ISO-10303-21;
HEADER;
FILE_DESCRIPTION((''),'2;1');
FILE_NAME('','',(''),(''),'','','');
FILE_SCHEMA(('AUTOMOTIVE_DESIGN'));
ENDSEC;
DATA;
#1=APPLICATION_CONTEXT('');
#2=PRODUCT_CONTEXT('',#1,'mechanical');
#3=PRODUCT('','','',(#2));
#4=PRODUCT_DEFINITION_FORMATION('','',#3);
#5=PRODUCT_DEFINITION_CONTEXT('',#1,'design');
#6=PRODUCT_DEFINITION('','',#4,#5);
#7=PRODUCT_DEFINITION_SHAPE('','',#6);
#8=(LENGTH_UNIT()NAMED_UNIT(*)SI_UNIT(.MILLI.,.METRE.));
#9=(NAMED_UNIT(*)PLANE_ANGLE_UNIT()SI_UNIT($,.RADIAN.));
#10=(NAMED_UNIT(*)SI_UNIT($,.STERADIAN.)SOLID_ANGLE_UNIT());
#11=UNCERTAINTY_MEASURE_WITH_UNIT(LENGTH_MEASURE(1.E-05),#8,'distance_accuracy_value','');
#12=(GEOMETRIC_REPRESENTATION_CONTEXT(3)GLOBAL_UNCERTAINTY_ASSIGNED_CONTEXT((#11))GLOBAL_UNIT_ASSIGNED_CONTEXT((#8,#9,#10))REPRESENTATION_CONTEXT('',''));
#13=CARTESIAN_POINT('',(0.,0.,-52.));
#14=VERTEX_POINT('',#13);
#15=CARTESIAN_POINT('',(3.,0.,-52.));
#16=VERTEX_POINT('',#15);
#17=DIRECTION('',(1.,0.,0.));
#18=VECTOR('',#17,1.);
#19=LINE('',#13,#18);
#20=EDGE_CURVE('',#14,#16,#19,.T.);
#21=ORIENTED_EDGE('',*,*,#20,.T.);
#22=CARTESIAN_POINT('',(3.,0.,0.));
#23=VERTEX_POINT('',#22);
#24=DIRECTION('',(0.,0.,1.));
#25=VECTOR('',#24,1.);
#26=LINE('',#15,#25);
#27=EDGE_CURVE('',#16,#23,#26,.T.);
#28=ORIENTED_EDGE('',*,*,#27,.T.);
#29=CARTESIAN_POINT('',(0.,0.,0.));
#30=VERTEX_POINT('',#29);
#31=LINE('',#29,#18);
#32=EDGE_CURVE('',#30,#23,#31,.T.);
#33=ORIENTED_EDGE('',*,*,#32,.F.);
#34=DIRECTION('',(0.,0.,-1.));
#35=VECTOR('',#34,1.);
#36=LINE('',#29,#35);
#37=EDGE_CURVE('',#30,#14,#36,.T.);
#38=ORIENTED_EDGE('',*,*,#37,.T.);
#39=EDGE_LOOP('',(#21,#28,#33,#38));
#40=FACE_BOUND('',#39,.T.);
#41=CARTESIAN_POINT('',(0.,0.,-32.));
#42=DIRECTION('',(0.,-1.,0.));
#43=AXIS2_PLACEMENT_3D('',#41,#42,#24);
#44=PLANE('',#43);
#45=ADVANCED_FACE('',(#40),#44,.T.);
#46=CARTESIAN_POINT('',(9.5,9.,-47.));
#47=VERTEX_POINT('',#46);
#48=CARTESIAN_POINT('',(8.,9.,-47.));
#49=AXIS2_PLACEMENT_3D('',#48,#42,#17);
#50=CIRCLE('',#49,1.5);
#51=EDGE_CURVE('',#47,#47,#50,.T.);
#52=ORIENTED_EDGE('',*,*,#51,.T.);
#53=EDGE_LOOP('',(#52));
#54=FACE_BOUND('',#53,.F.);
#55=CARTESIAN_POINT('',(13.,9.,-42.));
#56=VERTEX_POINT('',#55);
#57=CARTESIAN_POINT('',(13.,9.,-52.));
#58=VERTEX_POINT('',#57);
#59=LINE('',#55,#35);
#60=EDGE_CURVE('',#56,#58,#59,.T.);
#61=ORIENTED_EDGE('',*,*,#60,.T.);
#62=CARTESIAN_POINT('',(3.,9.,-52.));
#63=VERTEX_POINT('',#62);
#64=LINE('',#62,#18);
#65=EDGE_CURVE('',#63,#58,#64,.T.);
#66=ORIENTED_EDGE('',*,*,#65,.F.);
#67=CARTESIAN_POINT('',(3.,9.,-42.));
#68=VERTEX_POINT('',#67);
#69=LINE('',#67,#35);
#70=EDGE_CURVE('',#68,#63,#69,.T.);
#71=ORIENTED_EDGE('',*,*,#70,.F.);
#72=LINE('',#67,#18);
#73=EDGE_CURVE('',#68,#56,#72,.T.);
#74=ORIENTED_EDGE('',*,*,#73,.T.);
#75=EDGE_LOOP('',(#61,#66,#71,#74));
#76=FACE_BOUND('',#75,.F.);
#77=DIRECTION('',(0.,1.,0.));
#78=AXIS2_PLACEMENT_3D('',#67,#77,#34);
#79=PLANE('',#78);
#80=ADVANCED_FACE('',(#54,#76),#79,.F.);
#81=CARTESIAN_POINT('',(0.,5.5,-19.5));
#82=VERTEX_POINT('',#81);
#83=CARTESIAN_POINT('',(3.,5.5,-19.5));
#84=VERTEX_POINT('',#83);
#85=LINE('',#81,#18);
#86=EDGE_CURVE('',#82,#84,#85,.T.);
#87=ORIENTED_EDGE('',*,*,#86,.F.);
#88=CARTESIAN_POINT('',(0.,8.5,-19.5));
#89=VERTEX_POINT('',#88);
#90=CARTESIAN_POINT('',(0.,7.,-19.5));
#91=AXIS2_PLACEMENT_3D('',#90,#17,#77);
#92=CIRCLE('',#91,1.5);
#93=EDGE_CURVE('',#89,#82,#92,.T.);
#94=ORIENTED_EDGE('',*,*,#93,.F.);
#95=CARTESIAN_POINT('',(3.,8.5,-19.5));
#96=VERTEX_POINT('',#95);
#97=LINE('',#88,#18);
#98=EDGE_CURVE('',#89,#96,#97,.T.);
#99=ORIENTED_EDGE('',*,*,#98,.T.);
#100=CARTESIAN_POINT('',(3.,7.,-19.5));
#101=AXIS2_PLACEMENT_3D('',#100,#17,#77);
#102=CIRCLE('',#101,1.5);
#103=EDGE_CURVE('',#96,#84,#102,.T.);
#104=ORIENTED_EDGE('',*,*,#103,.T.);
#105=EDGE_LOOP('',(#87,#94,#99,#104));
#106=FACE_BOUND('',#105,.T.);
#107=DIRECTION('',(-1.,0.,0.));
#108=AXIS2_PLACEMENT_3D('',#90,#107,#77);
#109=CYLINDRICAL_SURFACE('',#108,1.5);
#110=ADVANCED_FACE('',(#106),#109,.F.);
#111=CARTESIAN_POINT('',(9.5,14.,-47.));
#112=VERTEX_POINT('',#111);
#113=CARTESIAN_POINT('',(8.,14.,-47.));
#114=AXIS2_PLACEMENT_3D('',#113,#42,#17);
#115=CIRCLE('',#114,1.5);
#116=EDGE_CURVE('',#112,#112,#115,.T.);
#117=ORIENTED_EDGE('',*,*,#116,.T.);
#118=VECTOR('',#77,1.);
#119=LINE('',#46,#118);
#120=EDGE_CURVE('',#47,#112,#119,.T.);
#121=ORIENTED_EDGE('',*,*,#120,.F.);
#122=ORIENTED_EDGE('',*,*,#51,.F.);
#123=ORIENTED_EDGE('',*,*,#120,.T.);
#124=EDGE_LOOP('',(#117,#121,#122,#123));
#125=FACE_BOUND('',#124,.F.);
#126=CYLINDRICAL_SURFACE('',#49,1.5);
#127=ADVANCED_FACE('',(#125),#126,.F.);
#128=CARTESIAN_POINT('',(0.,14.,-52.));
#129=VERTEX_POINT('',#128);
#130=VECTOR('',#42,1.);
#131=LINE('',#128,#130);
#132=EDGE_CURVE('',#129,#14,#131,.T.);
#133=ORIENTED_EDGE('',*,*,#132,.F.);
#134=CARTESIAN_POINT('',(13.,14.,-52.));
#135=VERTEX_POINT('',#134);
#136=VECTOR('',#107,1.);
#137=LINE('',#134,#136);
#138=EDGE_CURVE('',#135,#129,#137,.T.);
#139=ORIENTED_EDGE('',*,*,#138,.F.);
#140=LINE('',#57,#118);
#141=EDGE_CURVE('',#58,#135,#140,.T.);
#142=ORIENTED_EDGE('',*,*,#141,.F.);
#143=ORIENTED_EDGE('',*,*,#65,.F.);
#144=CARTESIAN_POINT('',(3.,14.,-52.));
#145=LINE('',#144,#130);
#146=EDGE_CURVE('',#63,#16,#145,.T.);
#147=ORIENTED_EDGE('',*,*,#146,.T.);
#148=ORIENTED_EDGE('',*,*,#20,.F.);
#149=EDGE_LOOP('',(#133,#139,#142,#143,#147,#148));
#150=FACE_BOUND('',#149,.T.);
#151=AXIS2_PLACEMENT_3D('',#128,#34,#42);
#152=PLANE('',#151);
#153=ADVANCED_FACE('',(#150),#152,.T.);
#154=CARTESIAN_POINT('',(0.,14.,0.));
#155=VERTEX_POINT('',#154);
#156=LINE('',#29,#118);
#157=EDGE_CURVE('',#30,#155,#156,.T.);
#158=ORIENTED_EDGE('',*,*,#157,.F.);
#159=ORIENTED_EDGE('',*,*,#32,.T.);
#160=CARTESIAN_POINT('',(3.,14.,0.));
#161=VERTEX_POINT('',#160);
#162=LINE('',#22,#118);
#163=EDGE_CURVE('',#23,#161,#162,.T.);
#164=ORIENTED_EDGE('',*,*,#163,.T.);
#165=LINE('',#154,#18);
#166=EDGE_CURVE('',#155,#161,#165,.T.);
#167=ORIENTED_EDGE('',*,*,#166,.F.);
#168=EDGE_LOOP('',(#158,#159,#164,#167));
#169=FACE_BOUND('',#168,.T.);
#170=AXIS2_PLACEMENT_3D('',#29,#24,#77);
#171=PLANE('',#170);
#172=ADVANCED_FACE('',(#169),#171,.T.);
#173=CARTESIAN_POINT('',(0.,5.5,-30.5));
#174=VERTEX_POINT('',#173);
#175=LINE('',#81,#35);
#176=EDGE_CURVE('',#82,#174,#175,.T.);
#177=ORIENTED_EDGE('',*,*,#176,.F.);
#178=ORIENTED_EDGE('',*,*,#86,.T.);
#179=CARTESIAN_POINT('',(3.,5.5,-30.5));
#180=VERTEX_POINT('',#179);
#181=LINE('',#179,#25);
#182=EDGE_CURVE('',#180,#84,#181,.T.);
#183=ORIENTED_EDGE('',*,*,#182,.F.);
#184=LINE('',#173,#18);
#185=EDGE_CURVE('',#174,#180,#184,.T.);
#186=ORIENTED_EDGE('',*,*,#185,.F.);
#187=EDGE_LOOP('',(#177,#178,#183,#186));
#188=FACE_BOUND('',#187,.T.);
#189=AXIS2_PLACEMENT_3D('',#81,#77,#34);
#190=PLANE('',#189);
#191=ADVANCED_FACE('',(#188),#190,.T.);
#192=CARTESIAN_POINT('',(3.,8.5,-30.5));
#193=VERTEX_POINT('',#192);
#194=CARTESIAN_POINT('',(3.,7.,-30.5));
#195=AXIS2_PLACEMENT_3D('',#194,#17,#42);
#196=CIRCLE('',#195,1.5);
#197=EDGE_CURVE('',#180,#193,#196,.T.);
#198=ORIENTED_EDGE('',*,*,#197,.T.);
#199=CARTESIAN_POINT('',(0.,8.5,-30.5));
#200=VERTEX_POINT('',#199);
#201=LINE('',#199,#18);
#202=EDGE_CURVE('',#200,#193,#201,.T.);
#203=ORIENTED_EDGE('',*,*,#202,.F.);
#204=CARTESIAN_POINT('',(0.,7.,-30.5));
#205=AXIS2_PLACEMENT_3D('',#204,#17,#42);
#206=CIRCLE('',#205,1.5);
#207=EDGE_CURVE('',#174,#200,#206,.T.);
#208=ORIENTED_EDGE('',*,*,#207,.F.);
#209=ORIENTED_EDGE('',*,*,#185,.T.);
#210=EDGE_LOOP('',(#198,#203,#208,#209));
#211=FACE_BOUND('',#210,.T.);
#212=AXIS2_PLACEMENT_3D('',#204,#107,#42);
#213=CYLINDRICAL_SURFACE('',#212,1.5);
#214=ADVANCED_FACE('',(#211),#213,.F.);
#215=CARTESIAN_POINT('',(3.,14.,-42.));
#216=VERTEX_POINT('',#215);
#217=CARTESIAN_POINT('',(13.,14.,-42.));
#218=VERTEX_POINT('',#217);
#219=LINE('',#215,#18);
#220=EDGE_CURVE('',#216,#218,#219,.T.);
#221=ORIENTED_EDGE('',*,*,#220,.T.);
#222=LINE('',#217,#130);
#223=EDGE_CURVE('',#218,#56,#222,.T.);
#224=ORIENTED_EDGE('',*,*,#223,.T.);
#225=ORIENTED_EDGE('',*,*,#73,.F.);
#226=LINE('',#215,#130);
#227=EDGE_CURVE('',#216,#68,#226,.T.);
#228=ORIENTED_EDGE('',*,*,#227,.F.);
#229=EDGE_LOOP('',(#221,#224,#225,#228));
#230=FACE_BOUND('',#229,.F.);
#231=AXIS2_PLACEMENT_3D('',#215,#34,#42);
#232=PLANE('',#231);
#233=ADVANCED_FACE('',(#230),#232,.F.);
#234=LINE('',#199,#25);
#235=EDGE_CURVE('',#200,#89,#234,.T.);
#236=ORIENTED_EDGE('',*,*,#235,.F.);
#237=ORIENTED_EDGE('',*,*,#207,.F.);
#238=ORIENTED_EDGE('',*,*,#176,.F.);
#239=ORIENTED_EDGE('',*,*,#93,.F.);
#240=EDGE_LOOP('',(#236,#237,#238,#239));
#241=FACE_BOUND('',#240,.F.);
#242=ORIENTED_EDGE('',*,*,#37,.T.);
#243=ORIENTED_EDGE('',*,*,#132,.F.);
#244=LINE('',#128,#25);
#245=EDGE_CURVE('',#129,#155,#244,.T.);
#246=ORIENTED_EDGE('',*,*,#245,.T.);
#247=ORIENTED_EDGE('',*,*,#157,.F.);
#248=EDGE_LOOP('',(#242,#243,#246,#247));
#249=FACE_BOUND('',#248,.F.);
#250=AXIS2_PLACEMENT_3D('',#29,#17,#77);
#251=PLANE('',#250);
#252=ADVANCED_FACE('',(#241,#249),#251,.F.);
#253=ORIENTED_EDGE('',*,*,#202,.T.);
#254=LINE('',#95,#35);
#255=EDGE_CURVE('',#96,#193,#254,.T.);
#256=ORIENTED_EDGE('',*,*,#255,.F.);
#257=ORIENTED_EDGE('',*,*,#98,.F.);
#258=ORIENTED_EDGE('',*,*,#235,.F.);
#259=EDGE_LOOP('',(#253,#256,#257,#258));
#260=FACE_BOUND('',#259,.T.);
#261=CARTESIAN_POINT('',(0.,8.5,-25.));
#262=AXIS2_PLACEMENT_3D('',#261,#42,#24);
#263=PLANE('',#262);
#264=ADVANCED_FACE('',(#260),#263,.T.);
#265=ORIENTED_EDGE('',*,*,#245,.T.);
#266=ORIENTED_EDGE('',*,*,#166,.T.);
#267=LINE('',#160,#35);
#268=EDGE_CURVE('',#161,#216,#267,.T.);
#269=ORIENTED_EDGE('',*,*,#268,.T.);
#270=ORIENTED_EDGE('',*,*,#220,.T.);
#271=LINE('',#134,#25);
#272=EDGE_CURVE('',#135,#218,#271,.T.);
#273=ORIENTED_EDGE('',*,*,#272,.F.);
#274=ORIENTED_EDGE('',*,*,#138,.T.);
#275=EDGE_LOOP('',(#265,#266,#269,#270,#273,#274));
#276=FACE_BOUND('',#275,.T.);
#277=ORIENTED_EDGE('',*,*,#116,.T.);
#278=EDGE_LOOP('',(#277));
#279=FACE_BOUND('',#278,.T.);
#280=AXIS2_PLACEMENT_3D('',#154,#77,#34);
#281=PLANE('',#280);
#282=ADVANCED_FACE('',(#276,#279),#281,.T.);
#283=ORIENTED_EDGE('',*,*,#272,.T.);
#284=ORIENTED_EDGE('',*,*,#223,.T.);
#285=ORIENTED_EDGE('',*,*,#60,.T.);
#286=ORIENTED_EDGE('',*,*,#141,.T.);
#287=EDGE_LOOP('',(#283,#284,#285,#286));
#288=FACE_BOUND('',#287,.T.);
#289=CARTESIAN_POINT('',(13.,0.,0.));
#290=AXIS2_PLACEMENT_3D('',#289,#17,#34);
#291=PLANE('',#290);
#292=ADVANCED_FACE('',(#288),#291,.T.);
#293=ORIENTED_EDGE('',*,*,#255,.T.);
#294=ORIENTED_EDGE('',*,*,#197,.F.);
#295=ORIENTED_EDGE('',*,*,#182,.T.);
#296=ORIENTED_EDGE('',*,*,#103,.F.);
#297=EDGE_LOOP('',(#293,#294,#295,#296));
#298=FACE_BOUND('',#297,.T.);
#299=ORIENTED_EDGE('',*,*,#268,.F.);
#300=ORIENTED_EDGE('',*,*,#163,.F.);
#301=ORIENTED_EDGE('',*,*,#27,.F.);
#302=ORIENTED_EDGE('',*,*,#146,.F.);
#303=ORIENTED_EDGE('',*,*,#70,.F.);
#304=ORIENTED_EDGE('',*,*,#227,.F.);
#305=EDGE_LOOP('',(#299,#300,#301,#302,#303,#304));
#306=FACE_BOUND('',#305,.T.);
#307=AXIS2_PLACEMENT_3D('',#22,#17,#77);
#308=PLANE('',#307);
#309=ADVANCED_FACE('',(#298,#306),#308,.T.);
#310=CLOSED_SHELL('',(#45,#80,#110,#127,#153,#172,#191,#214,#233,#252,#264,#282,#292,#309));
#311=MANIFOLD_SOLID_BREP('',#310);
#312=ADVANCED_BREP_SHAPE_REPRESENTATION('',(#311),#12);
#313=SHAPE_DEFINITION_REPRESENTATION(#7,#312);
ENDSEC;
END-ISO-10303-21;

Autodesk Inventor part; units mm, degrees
ref_plane "YZ Plane" through (0, 0, 0) normal (1, 0, 0) x (0, 1, 0)
ref_plane "XZ Plane" through (0, 0, 0) normal (0, 1, 0) x (-1, 0, 0)
ref_plane "XY Plane" through (0, 0, 0) normal (0, 0, 1) x (1, 0, 0)
sketch "Sketch2" plane through (0, 0, 0) normal (1, 0, 0) x (0, 1, 0)
  line L0 (0, 0) -> (14, 0)
  line L1 (14, 0) -> (14, -32)
  line L2 (14, -32) -> (0, -32) construction
  line L3 (0, -32) -> (0, 0)
  circle A0 centre (7, -25) radius 1.5
  line L4 (14, -32) -> (14, -52)
  line L5 (14, -52) -> (0, -52)
  line L6 (0, -52) -> (0, -32)
  line L7 (7, -19.5) -> (7, -30.5) construction
  line L8 (5.5, -19.5) -> (5.5, -30.5)
  line L9 (8.5, -30.5) -> (8.5, -19.5)
  arc A1 (8.5, -19.5) -> (5.5, -19.5) centre (7, -19.5) ccw
  arc A2 (5.5, -30.5) -> (8.5, -30.5) centre (7, -30.5) ccw
  point P0 (7, -32)
  dimension "d5" = 32
  dimension "d6" = 14
  dimension "d7" = 3
  dimension "d8" = 7
  dimension "d11" = 20
extrude "Extrusion1" add sketch "Sketch2" along normal blind 3
sketch "Sketch3" plane through (3, 0, 0) normal (1, 0, 0) x (0, 0, -1)
  line L0 (52, 14) -> (42, 14)
  line L1 (42, 14) -> (42, 9)
  line L2 (42, 9) -> (52, 9)
  line L3 (52, 9) -> (52, 14)
  line L4 (52, 0) -> (52, 14) projected
  line L5 (52, 14) -> (0, 14) projected
  dimension "d12" = 5
  dimension "d13" = 10
extrude "Extrusion2" add sketch "Sketch3" along normal blind 10
sketch "Sketch4" plane through (3, 9, -42) normal (0, -1, 0) x (1, 0, 0)
  circle A0 centre (5, -5) radius 1.5
  line L0 (10, 0) -> (10, -10) projected
  point P0 (-3, 42)
  point P1 (10, -5)
  dimension "d16" = 3
  dimension "d17" = 5
extrude "Extrusion3" cut sketch "Sketch4" against normal through all
properties part number "IRSensorMount"
